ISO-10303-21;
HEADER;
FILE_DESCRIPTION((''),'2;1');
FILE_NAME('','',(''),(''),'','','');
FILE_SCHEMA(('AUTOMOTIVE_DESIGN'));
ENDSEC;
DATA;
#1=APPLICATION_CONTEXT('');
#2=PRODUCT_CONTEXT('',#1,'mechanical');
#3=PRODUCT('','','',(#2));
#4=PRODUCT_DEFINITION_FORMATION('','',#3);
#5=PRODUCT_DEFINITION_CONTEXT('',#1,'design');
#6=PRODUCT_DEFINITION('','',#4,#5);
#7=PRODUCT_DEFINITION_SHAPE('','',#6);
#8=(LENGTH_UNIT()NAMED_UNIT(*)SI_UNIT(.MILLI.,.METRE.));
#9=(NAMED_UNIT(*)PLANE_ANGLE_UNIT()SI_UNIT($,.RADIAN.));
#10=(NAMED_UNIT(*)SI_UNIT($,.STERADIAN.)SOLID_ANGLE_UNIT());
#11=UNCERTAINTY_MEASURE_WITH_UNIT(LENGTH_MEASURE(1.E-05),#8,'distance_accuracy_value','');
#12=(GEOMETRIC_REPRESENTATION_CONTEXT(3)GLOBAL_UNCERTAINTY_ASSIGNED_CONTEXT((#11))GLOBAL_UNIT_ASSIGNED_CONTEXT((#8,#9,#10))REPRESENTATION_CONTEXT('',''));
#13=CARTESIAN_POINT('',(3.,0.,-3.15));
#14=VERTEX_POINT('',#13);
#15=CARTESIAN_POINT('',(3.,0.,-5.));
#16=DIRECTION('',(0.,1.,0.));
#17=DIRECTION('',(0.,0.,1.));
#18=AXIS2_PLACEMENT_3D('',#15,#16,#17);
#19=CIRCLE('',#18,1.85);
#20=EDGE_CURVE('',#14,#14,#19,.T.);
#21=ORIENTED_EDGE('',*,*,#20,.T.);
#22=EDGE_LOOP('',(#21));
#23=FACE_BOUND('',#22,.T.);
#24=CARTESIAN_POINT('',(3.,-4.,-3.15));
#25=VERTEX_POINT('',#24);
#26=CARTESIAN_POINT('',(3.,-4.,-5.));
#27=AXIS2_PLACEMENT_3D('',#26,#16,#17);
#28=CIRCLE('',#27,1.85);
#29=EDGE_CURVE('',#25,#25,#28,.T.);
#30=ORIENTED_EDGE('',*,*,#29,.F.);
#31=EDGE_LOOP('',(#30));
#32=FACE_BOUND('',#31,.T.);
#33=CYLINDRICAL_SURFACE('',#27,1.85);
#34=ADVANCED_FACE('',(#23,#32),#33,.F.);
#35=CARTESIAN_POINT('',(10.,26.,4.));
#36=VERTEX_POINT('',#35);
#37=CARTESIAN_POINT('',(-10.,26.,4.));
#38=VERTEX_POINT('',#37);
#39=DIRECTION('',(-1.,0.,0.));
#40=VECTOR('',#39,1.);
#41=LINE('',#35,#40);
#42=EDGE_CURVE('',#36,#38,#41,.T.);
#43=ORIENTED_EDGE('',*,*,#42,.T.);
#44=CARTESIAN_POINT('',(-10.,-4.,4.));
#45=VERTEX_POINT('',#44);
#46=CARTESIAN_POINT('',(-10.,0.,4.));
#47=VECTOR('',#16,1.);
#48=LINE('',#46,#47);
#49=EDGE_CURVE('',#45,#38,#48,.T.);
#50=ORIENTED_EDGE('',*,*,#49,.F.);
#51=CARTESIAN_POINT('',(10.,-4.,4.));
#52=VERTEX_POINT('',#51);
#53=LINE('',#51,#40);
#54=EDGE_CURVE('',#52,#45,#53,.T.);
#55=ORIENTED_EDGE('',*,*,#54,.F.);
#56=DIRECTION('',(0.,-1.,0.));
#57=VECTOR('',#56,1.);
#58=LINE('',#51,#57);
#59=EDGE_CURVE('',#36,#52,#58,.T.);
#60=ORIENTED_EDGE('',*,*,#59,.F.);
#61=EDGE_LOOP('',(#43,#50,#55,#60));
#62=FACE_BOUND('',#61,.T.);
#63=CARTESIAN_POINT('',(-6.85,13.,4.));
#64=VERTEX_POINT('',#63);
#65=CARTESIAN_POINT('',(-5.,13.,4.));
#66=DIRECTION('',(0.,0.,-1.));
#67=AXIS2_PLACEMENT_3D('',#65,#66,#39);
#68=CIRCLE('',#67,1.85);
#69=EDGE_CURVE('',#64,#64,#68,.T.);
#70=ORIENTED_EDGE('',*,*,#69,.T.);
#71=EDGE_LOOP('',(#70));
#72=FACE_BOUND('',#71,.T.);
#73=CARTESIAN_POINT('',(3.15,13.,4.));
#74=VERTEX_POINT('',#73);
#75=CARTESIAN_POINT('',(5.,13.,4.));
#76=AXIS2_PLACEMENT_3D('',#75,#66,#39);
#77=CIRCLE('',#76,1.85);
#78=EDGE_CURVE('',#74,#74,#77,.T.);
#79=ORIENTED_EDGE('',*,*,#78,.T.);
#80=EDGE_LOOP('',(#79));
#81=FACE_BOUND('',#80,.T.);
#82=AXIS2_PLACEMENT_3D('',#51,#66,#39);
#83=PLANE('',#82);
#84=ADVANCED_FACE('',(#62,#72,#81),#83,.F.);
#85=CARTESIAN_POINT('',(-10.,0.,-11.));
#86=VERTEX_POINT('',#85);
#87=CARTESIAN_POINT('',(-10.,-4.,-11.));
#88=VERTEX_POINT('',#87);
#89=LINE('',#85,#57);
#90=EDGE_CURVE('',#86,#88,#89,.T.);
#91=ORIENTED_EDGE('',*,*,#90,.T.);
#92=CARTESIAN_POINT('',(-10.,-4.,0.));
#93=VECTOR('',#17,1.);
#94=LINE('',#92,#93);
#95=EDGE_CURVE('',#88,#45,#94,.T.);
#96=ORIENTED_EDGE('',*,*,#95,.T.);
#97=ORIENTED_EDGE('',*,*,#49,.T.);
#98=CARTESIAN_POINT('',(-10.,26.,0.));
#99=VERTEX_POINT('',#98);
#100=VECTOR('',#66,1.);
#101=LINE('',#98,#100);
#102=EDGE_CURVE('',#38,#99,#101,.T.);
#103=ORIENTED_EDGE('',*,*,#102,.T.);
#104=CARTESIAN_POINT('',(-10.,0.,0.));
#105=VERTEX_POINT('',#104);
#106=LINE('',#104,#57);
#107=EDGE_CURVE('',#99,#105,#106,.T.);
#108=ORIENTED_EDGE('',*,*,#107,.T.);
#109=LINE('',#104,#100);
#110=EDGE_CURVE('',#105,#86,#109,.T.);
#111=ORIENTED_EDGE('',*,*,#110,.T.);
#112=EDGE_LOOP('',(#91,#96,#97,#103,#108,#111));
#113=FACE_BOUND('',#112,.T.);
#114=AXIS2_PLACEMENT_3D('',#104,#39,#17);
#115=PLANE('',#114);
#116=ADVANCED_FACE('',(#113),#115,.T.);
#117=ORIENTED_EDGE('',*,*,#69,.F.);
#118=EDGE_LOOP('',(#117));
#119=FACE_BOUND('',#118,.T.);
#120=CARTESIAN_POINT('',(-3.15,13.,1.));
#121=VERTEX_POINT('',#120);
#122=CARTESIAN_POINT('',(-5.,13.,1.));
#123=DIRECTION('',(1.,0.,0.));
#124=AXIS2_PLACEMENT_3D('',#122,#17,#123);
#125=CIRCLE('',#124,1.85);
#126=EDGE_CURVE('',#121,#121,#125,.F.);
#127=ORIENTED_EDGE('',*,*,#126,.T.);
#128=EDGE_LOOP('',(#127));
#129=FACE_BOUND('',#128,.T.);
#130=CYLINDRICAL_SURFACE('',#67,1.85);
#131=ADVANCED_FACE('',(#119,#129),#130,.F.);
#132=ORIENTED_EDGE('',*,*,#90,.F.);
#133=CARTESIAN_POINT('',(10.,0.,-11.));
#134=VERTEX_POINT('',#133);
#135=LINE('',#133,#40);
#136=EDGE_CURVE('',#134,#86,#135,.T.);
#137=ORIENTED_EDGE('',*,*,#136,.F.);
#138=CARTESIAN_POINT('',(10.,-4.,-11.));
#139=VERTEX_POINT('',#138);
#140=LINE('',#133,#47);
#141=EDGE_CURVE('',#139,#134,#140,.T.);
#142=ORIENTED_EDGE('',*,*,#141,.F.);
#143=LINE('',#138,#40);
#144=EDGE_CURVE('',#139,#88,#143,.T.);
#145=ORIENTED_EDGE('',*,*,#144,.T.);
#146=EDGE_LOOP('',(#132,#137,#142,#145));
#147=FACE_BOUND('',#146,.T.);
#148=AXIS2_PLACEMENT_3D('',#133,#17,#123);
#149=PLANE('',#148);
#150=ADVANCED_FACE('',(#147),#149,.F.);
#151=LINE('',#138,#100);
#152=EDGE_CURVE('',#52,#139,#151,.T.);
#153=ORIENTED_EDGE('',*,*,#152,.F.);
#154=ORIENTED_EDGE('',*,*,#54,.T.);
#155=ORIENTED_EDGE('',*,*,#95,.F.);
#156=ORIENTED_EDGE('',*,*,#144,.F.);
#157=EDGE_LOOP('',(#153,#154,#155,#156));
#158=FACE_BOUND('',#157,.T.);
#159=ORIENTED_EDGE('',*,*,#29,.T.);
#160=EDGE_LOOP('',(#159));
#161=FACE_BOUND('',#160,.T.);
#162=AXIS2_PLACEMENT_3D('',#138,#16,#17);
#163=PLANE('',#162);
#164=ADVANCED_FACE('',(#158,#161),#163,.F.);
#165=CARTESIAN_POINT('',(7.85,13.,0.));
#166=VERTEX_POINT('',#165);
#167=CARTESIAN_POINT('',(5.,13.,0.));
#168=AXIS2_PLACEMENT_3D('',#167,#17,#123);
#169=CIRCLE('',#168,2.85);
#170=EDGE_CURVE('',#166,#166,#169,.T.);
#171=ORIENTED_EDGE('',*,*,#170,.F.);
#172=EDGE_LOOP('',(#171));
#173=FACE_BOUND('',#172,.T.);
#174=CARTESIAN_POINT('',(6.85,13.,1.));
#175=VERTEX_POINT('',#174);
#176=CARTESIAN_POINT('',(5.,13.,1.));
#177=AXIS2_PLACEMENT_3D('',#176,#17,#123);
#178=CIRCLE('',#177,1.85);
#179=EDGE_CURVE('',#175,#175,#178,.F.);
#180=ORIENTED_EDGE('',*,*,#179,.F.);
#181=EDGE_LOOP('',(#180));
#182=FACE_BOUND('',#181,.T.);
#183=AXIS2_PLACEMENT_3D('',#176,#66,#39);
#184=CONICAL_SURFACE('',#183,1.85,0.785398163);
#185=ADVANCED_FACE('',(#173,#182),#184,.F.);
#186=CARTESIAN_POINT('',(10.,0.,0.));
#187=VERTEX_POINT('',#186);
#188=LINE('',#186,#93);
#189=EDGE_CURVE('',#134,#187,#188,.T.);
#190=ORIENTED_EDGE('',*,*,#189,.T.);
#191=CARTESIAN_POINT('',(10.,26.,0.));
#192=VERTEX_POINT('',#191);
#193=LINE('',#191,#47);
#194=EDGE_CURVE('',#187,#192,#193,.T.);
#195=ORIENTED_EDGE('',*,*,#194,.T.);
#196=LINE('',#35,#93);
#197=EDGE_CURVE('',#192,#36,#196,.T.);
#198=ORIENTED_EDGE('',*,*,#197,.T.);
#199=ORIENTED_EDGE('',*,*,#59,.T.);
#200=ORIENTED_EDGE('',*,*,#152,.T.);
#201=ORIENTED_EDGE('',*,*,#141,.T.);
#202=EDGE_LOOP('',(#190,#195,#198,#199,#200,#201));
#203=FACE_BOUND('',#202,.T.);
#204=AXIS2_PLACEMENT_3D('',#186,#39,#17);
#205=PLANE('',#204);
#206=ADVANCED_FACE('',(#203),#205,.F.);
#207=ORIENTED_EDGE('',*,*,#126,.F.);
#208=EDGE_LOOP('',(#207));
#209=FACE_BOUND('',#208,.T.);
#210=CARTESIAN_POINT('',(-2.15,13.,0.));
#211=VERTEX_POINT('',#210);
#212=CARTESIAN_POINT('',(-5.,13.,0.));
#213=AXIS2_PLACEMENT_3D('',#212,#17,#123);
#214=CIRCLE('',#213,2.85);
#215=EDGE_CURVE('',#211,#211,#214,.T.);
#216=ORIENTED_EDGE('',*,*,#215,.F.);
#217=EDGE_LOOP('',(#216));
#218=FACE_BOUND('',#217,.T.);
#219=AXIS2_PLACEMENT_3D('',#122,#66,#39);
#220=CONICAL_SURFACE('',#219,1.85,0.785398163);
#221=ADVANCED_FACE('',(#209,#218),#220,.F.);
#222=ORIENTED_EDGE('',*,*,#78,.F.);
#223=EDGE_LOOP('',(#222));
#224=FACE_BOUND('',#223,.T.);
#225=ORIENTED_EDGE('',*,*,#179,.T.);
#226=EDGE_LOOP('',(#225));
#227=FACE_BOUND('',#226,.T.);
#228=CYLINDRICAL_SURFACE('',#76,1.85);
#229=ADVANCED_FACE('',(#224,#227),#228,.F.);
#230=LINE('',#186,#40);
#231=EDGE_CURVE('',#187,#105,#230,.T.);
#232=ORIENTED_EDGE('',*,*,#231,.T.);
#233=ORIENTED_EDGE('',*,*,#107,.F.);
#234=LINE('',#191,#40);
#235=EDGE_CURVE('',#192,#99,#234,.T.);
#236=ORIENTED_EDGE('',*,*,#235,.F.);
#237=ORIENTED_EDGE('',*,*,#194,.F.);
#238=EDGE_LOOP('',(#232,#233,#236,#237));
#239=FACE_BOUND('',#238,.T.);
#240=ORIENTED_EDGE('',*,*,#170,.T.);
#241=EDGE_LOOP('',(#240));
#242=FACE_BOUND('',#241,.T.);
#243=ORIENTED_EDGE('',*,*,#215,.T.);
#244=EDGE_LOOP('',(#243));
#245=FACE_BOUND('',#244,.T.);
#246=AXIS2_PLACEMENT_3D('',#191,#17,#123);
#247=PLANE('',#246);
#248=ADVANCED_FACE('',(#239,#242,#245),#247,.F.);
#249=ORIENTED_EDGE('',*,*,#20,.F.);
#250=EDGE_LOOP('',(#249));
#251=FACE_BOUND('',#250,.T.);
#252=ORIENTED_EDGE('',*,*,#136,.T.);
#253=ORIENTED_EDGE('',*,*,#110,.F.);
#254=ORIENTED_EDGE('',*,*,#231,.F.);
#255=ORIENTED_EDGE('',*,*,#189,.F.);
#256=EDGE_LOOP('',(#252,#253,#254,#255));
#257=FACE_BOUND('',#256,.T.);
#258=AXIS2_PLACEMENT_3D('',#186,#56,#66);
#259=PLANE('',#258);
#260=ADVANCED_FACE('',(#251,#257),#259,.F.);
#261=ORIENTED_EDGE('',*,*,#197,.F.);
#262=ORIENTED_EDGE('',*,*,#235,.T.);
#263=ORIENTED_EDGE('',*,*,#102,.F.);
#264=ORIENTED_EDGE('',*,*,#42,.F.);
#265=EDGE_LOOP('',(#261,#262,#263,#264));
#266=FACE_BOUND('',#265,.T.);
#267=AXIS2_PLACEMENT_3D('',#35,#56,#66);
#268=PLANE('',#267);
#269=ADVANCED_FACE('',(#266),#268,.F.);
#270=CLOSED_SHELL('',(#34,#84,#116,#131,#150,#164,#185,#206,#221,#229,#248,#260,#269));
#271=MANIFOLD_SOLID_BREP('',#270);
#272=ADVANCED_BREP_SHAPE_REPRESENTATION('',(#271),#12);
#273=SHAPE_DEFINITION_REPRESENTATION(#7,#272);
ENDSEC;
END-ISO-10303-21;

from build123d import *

# Parameters (mm, degrees)
BOSS_EXTRUDE1_DEPTH = 10
SKETCH2_R           = 1.85
CUT_EXTRUDE1_DEPTH  = 30.949958264
BOSS_EXTRUDE2_DEPTH = 10
SKETCH4_R           = 1.85
CUT_EXTRUDE2_DEPTH  = 30.949958264
CHAMFER1_SIZE       = 1


with BuildPart() as part:
    # Sketch1 → Boss-Extrude1 (new body)
    with BuildSketch(Plane(origin=(0, 0, 0), x_dir=(0, 0, -1), z_dir=(1, 0, 0))):
        Polygon((-4, 26), (0, 26), (0, 0), (11, 0), (11, -4), (-4, -4), align=None)
    extrude(amount=BOSS_EXTRUDE1_DEPTH)

    # Sketch2 → Cut-Extrude1 (cut, through all)
    with BuildSketch(Plane(origin=(0, 0, 0), x_dir=(1, 0, 0), z_dir=(0, 1, 0))):
        with Locations(Location((3, 5, 0), (0, 0, 270))):
            Circle(SKETCH2_R)
    extrude(amount=-CUT_EXTRUDE1_DEPTH, mode=Mode.SUBTRACT)

    # Sketch5 → Boss-Extrude2 (add)
    with BuildSketch(Plane.ZY):
        Polygon((-11, -4), (4, -4), (4, 26), (0, 26), (0, 0), (-11, 0), align=None)
    extrude(amount=BOSS_EXTRUDE2_DEPTH)

    # Sketch4 → Cut-Extrude2 (cut, through all)
    with BuildSketch(Plane(origin=(0, 0, 0), x_dir=(-1, 0, 0), z_dir=(0, 0, -1))):
        with Locations((-5, 13)):
            Circle(SKETCH4_R)
        with Locations((5, 13)):
            Circle(SKETCH4_R)
    extrude(amount=-CUT_EXTRUDE2_DEPTH, mode=Mode.SUBTRACT)

    # Chamfer1
    chamfer1_edges = [part.edges().sort_by_distance(p)[0] for p in [
        (6.85, 13, 0),
        (-3.15, 13, 0),
    ]]
    chamfer(chamfer1_edges, length=CHAMFER1_SIZE)


solid = part.part
